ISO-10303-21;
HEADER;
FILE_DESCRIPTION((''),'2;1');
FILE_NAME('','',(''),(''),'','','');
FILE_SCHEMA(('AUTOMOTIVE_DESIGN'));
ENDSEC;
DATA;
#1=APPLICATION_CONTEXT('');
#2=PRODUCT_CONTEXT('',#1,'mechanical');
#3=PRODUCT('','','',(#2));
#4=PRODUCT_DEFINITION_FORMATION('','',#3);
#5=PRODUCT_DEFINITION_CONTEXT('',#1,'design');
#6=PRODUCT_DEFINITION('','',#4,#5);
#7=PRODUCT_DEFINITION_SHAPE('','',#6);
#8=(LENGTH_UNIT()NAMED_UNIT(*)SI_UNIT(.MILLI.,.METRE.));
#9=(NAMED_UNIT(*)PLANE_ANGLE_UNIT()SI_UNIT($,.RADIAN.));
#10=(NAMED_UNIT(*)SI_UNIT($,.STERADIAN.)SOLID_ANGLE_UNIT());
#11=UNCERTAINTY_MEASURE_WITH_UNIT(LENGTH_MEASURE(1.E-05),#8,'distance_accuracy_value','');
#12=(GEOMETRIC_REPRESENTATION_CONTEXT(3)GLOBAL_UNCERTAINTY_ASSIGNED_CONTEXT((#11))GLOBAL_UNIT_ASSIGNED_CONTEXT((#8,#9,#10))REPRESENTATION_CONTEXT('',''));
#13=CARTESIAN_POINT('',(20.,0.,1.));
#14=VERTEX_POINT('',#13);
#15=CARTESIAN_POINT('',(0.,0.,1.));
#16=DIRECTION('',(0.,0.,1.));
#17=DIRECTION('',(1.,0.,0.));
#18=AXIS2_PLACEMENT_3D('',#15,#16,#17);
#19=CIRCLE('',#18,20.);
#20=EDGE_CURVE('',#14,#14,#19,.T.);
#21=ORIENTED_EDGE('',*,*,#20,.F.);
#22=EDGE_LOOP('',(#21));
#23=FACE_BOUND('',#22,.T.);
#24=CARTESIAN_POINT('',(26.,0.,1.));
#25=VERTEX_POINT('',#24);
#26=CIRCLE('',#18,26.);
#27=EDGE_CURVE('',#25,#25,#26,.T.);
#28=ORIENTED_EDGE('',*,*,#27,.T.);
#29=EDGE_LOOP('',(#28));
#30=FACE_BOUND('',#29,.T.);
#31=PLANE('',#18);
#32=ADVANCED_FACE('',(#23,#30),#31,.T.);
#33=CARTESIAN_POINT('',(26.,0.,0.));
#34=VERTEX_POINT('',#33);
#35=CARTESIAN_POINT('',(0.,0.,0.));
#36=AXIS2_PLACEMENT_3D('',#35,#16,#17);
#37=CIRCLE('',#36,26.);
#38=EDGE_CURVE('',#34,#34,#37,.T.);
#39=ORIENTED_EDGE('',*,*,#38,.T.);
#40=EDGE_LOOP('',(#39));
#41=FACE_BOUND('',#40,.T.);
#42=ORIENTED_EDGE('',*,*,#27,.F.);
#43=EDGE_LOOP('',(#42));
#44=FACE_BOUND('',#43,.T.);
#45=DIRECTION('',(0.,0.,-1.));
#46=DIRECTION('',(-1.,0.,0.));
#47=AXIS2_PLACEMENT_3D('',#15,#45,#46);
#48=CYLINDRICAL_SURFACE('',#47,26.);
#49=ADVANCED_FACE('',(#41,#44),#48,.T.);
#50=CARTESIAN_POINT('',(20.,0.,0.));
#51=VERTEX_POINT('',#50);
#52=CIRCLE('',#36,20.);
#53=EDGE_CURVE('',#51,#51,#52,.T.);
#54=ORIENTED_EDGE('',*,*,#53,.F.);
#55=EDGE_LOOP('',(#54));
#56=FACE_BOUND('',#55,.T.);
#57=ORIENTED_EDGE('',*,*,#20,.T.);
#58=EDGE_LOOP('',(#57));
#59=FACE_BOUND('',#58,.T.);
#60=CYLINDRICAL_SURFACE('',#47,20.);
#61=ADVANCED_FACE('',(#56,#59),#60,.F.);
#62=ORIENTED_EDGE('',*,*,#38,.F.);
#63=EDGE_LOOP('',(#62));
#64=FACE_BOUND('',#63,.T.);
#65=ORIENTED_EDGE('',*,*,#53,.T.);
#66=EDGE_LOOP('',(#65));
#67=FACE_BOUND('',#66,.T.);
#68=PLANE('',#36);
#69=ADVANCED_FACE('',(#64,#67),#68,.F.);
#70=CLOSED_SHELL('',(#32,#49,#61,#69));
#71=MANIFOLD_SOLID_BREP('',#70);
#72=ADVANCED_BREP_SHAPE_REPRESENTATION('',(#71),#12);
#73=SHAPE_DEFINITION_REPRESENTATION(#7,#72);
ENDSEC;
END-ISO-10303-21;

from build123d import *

# Parameters (mm, degrees)
ESQUISSE1_R          = 26
ESQUISSE1_R_2        = 20
BASE_EXTRUSION_DEPTH = 1


with BuildPart() as part:
    # Esquisse1 → Base-Extrusion (new body)
    with BuildSketch(Plane.XY):
        Circle(ESQUISSE1_R)
        Circle(ESQUISSE1_R_2, mode=Mode.SUBTRACT)
    extrude(amount=BASE_EXTRUSION_DEPTH)


solid = part.part
